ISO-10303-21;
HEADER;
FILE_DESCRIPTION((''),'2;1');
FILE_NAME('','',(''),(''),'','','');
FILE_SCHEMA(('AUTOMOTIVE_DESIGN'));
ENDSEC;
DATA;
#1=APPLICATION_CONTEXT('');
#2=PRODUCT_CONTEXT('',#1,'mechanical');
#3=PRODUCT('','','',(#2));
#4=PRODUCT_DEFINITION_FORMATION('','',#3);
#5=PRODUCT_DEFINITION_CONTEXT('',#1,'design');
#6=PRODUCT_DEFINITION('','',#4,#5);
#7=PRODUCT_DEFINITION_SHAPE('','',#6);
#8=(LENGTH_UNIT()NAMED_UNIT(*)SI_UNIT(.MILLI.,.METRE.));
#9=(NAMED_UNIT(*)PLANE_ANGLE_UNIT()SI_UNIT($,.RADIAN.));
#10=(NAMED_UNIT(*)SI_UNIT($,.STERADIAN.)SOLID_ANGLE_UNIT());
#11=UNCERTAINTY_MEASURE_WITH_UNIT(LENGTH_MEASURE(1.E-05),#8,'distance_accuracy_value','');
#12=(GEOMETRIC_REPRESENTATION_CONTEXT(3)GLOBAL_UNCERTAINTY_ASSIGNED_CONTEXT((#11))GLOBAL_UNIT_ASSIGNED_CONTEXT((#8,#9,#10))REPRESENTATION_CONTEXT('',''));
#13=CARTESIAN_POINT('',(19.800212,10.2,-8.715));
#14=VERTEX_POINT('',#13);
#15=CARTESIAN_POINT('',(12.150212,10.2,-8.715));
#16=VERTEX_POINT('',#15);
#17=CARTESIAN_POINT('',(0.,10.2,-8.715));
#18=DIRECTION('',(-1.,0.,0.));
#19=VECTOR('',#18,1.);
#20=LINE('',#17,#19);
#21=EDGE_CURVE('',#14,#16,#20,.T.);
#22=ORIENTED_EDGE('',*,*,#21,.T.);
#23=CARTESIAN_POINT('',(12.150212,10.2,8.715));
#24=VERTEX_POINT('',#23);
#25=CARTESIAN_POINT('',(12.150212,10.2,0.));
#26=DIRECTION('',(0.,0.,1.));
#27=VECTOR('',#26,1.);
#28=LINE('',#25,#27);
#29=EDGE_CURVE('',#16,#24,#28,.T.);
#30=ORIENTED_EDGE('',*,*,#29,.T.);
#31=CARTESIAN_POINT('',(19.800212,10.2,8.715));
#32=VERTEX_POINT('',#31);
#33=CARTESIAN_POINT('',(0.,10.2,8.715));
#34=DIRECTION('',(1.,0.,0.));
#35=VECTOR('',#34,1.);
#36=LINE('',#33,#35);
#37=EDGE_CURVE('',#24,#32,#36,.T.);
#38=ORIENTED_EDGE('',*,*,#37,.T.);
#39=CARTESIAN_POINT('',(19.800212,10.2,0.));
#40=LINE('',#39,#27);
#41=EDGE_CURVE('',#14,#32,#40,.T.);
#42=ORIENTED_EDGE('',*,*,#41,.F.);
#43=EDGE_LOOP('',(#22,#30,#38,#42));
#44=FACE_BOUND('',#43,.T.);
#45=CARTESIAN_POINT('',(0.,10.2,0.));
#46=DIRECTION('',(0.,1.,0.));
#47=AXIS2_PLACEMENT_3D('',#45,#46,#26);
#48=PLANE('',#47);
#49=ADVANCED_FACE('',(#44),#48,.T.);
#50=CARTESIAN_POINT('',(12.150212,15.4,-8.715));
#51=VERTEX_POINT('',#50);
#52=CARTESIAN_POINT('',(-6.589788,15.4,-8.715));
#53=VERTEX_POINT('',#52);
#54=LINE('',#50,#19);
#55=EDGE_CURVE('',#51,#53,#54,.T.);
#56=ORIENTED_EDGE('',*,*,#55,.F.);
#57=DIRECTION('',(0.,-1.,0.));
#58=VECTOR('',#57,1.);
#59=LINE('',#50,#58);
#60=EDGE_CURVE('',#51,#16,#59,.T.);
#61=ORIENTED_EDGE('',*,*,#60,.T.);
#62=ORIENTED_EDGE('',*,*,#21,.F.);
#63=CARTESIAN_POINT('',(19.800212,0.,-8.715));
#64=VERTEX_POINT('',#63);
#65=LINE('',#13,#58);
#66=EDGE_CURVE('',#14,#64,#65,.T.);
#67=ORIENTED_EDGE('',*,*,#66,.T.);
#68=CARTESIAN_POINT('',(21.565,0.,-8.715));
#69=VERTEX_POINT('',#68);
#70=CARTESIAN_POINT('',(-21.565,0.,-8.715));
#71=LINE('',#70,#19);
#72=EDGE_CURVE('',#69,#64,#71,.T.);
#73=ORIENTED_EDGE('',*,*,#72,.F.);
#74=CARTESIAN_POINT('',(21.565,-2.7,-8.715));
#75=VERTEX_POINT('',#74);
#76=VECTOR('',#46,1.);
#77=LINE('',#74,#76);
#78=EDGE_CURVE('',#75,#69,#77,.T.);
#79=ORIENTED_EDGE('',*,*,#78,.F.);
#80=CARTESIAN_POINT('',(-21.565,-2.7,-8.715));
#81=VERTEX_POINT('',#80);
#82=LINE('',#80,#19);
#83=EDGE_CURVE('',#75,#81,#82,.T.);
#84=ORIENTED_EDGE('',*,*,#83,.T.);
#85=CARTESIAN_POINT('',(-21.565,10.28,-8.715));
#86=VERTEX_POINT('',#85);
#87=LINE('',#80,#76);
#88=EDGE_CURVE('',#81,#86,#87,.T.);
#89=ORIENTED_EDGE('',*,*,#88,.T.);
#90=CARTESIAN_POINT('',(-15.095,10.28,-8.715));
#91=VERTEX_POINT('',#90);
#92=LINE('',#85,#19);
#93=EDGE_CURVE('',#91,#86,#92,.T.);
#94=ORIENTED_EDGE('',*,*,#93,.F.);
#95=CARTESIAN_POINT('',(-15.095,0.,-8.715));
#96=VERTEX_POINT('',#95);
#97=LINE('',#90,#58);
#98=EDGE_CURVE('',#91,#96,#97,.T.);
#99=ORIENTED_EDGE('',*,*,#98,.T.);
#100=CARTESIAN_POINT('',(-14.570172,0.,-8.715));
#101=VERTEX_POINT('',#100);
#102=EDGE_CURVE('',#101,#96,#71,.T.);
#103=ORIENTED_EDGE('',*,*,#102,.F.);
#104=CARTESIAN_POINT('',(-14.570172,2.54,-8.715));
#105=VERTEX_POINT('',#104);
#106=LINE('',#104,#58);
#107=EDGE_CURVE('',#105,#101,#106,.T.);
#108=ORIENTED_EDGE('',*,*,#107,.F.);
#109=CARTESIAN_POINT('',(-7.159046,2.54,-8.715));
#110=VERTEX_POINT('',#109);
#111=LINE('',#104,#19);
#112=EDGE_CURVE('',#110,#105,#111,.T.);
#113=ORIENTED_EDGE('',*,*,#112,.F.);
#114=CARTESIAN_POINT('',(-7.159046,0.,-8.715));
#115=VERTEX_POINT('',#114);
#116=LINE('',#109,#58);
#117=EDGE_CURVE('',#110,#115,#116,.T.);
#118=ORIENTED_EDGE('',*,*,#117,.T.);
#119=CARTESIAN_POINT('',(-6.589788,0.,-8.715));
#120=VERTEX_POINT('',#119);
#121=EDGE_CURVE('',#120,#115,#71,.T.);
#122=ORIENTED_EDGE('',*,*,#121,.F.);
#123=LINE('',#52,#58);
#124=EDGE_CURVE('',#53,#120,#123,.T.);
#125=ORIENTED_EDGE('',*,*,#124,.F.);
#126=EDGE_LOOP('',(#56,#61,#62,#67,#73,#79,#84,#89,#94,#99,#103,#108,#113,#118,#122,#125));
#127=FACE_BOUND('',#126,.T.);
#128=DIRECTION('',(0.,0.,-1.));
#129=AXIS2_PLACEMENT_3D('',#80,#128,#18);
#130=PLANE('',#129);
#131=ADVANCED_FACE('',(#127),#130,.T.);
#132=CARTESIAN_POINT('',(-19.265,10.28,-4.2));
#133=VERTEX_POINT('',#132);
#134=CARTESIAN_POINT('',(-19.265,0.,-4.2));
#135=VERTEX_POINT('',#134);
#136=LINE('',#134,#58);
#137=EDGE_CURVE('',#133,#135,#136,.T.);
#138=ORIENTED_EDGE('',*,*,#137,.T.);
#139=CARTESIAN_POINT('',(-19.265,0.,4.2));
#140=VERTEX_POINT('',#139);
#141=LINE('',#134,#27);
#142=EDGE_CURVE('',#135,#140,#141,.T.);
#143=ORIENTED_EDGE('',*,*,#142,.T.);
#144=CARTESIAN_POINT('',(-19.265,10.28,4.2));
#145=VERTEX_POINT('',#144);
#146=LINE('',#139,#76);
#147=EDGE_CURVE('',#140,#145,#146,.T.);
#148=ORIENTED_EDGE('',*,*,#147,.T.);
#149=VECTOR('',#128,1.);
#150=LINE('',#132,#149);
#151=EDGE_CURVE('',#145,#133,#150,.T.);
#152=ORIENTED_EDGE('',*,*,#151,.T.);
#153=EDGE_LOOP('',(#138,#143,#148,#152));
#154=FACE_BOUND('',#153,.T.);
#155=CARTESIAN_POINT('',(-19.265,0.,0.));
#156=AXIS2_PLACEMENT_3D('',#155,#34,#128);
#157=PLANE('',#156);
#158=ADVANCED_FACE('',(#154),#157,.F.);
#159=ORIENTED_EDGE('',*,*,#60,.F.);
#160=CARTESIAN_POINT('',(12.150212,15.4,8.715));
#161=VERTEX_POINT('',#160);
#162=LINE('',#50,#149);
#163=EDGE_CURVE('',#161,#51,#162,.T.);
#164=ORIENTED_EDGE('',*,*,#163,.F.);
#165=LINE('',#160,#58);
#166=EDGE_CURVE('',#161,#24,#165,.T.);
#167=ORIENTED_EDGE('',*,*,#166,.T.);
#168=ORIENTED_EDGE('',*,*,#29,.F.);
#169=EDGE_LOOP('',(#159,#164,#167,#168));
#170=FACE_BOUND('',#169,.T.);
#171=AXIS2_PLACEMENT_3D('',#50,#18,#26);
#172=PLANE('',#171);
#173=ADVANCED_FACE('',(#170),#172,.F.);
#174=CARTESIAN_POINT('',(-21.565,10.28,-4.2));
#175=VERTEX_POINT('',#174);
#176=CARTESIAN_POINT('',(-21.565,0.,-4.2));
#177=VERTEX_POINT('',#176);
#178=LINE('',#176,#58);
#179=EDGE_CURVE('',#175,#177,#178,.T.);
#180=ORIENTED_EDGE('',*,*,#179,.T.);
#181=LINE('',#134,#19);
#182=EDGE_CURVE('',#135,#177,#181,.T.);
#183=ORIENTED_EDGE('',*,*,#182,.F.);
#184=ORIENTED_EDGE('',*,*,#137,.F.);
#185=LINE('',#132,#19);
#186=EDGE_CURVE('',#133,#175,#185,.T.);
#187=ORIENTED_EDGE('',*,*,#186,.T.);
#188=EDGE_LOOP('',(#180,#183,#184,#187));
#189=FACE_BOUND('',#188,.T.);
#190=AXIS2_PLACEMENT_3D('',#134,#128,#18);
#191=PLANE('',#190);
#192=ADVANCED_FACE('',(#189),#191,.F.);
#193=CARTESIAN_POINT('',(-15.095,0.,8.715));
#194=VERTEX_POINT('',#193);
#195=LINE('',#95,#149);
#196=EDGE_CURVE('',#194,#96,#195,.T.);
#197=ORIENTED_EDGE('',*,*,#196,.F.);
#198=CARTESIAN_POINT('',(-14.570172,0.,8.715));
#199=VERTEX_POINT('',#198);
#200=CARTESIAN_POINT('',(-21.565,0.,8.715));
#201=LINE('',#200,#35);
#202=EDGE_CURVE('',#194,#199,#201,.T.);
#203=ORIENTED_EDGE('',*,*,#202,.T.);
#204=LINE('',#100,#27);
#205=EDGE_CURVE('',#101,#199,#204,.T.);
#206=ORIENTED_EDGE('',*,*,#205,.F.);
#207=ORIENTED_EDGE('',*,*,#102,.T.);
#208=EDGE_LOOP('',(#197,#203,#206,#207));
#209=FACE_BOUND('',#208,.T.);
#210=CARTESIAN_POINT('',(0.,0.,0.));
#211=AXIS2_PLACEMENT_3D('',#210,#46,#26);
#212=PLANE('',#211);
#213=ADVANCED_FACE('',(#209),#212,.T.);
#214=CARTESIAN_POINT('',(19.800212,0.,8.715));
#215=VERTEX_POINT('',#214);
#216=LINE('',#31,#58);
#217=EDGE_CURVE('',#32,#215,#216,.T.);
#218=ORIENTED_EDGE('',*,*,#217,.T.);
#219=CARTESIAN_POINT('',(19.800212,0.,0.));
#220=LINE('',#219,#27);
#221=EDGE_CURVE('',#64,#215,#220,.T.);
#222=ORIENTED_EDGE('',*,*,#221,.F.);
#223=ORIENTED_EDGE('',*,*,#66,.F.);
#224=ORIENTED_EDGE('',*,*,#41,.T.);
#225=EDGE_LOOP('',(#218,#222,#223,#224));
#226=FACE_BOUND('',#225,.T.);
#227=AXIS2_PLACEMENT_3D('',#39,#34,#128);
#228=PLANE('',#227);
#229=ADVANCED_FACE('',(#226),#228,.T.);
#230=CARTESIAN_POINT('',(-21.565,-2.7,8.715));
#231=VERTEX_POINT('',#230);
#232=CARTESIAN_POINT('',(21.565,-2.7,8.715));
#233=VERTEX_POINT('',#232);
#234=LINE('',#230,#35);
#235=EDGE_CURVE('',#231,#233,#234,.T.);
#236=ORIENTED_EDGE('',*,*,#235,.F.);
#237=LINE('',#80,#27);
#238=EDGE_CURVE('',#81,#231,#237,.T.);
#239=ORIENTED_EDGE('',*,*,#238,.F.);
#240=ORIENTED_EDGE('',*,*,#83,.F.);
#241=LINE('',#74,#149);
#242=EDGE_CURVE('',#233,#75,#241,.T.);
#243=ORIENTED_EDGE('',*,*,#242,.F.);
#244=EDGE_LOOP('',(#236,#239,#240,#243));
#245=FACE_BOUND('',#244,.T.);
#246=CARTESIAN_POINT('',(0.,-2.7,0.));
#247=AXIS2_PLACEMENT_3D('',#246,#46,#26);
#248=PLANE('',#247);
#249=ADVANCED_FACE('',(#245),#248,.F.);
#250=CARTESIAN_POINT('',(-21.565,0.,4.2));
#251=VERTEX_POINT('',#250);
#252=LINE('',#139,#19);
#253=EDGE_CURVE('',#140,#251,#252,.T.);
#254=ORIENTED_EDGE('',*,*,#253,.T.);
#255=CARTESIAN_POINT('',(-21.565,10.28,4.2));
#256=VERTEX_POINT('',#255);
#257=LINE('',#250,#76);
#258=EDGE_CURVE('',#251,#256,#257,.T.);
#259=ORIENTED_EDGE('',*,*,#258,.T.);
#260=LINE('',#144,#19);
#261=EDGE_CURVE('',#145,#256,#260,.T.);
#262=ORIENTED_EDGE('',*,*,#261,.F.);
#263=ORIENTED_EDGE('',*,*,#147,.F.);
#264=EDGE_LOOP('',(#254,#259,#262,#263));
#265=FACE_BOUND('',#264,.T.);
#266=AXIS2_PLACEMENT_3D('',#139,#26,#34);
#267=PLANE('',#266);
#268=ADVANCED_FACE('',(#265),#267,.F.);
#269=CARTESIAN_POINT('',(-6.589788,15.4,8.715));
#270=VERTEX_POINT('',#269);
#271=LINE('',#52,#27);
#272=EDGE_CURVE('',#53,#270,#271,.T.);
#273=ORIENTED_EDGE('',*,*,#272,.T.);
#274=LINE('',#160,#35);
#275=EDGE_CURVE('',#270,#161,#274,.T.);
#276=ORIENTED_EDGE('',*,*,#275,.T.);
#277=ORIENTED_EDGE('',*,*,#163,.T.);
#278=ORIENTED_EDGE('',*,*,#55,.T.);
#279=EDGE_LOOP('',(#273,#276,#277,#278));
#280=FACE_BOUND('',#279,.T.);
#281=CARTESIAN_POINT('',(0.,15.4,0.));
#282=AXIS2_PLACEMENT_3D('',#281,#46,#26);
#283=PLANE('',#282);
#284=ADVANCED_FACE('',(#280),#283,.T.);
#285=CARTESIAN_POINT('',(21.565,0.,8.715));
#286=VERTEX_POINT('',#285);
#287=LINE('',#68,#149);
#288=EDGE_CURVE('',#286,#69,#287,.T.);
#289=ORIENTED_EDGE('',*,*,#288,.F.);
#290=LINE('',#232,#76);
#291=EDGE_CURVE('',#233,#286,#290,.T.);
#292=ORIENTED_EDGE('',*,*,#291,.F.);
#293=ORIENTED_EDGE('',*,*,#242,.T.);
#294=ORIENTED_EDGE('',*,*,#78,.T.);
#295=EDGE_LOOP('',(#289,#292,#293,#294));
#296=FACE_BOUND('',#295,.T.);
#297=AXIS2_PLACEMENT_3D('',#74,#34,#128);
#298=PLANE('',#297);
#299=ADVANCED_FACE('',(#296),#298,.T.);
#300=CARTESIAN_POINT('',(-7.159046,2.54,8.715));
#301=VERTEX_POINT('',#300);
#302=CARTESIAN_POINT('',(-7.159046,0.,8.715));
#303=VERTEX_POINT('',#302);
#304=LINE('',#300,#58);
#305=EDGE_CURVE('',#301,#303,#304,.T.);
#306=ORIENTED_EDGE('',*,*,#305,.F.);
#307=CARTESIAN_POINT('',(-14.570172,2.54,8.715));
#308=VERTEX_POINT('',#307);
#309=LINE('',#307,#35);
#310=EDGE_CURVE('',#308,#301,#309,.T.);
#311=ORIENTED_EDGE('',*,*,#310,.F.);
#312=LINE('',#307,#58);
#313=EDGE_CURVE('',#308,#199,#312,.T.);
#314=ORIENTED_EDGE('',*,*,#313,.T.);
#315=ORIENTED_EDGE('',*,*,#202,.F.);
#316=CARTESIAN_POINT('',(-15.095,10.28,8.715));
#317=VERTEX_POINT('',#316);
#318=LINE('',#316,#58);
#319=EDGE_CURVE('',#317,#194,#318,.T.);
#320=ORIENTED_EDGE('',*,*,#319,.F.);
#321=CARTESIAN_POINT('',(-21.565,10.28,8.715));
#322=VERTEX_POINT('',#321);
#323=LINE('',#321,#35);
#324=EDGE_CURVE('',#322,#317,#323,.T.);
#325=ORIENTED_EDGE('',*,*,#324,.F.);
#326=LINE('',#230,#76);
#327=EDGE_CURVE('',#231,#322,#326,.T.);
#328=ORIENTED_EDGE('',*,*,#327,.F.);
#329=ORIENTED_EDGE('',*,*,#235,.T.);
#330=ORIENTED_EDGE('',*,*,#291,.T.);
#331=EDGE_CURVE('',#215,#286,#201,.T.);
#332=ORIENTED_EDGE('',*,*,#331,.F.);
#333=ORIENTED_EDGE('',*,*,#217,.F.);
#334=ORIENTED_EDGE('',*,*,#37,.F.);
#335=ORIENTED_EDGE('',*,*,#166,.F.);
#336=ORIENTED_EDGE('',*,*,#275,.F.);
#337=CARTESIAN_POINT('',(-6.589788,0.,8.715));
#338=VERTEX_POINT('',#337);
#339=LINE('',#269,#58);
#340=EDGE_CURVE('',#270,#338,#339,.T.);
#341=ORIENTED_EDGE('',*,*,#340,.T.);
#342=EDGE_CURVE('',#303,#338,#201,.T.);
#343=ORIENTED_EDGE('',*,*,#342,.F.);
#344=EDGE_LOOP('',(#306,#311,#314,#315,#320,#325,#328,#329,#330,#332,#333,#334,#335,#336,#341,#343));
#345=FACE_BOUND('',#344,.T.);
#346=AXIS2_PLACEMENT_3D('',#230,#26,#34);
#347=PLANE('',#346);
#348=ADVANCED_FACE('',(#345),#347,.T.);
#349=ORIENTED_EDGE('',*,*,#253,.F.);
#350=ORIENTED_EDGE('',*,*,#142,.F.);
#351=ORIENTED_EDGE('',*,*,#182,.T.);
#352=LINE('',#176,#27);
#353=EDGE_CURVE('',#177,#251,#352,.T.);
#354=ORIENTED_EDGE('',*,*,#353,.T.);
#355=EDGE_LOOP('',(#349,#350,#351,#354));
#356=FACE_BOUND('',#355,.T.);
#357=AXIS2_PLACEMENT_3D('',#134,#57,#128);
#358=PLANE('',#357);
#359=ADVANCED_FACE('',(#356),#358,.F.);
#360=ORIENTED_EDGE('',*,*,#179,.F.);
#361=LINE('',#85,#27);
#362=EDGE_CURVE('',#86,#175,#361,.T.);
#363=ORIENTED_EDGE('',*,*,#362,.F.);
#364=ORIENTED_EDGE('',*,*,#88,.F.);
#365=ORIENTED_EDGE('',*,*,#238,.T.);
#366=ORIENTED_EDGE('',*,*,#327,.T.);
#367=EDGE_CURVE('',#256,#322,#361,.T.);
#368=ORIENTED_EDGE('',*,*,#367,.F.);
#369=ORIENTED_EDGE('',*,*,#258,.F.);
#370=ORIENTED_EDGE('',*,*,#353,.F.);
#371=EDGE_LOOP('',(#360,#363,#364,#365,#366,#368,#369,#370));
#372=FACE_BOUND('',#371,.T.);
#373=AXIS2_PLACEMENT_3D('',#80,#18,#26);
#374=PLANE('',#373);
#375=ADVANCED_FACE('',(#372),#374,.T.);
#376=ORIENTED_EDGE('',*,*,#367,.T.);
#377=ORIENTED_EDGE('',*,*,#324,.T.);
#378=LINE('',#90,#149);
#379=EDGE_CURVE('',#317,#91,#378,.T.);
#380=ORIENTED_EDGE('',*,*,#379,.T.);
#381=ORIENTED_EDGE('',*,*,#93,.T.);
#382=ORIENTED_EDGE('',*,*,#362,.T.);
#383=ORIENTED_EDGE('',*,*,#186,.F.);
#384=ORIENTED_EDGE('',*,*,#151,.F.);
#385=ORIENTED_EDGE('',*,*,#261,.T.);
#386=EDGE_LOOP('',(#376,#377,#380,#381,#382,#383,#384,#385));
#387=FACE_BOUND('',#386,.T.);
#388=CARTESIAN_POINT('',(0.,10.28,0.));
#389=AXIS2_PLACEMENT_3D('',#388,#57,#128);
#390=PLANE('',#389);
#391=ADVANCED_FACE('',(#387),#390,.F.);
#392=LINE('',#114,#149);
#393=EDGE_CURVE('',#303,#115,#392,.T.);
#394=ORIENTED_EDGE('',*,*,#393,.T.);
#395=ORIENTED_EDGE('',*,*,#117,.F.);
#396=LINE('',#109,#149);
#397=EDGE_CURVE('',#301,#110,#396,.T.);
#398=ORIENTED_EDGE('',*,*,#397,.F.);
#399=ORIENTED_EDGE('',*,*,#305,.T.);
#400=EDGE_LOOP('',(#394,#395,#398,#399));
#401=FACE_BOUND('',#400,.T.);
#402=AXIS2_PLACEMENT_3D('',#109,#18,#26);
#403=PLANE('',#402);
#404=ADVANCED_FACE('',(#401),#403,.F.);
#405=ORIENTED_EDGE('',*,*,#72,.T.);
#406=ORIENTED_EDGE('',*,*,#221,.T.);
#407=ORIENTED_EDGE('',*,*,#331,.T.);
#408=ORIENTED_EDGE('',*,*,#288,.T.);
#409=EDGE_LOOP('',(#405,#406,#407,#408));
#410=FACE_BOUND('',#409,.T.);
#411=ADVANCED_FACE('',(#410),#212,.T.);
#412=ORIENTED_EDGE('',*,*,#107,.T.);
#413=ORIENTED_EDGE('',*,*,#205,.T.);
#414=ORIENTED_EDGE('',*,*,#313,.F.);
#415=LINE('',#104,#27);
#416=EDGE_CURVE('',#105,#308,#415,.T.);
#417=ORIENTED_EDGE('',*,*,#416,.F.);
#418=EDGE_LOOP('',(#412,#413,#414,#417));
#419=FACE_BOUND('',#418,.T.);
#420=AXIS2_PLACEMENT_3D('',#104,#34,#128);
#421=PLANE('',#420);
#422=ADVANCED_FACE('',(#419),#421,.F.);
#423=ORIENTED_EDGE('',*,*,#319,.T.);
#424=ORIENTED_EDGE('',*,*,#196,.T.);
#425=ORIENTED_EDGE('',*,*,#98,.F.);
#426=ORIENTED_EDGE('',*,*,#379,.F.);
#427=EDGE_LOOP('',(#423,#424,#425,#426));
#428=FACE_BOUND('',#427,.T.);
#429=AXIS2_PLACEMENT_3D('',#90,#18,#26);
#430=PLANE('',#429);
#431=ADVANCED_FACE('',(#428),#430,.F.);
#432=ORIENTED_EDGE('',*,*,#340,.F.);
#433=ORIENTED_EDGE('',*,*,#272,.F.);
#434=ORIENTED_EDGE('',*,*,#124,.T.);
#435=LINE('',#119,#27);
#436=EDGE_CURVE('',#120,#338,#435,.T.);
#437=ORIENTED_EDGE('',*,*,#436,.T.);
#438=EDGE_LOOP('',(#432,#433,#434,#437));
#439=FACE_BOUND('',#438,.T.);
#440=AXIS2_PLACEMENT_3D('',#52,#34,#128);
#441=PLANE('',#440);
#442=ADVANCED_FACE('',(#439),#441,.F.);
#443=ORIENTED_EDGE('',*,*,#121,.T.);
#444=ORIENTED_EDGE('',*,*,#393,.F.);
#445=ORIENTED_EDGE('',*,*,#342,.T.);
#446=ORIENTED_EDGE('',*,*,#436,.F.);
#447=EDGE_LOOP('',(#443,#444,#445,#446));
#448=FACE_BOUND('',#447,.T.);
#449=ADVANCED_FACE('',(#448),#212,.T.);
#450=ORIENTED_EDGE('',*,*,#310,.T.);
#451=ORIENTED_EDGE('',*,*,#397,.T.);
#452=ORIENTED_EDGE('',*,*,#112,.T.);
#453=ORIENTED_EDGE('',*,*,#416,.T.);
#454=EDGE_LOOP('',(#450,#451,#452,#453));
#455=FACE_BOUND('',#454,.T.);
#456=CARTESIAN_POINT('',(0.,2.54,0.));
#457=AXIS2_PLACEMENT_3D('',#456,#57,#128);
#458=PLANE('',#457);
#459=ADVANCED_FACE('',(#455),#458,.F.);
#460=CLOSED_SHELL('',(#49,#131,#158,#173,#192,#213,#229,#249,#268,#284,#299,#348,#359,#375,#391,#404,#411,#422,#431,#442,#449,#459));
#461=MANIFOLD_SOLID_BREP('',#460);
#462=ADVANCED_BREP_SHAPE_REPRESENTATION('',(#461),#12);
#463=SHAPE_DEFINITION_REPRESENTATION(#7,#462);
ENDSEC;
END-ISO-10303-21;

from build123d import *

# Parameters (mm, degrees)
SKETCH1_W           = 43.13
SKETCH1_H           = 17.43
BOSS_EXTRUDE1_DEPTH = 2.7
SKETCH2_W           = 6.47
SKETCH2_H           = 17.43
BOSS_EXTRUDE2_DEPTH = 10.28
SKETCH3_W           = 7.65
SKETCH3_H           = 17.43
BOSS_EXTRUDE3_DEPTH = 10.2
SKETCH4_W           = 18.74
SKETCH4_H           = 17.43
BOSS_EXTRUDE4_DEPTH = 15.4
SKETCH5_W           = 7.411125452
SKETCH5_H           = 17.43
BOSS_EXTRUDE5_DEPTH = 2.54
SKETCH6_W           = 8.4
SKETCH6_H           = 10.28
CUT_EXTRUDE1_DEPTH  = 2.3


with BuildPart() as part:
    # Sketch1 → Boss-Extrude1 (new body)
    with BuildSketch(Plane(origin=(0, 0, 0), x_dir=(1, 0, 0), z_dir=(0, 1, 0))):
        Rectangle(SKETCH1_W, SKETCH1_H)
    extrude(amount=-BOSS_EXTRUDE1_DEPTH)

    # Sketch2 → Boss-Extrude2 (add)
    with BuildSketch(Plane(origin=(0, 0, 0), x_dir=(1, 0, 0), z_dir=(0, 1, 0))):
        with Locations((-18.33, 0)):
            Rectangle(SKETCH2_W, SKETCH2_H)
    extrude(amount=BOSS_EXTRUDE2_DEPTH)

    # Sketch3 → Boss-Extrude3 (add)
    with BuildSketch(Plane(origin=(0, 0, 0), x_dir=(1, 0, 0), z_dir=(0, 1, 0))):
        with Locations((15.975212475, 0)):
            Rectangle(SKETCH3_W, SKETCH3_H)
    extrude(amount=BOSS_EXTRUDE3_DEPTH)

    # Sketch4 → Boss-Extrude4 (add)
    with BuildSketch(Plane(origin=(0, 0, 0), x_dir=(1, 0, 0), z_dir=(0, 1, 0))):
        with Locations((2.780212475, 0)):
            Rectangle(SKETCH4_W, SKETCH4_H)
    extrude(amount=BOSS_EXTRUDE4_DEPTH)

    # Sketch5 → Boss-Extrude5 (add)
    with BuildSketch(Plane(origin=(0, 0, 0), x_dir=(1, 0, 0), z_dir=(0, 1, 0))):
        with Locations((-10.86460908, 0)):
            Rectangle(SKETCH5_W, SKETCH5_H)
    extrude(amount=BOSS_EXTRUDE5_DEPTH)

    # Sketch6 → Cut-Extrude1 (cut)
    with BuildSketch(Plane.ZY.offset(21.565)):
        with Locations((0, 5.14)):
            Rectangle(SKETCH6_W, SKETCH6_H)
    extrude(amount=-CUT_EXTRUDE1_DEPTH, mode=Mode.SUBTRACT)


solid = part.part
